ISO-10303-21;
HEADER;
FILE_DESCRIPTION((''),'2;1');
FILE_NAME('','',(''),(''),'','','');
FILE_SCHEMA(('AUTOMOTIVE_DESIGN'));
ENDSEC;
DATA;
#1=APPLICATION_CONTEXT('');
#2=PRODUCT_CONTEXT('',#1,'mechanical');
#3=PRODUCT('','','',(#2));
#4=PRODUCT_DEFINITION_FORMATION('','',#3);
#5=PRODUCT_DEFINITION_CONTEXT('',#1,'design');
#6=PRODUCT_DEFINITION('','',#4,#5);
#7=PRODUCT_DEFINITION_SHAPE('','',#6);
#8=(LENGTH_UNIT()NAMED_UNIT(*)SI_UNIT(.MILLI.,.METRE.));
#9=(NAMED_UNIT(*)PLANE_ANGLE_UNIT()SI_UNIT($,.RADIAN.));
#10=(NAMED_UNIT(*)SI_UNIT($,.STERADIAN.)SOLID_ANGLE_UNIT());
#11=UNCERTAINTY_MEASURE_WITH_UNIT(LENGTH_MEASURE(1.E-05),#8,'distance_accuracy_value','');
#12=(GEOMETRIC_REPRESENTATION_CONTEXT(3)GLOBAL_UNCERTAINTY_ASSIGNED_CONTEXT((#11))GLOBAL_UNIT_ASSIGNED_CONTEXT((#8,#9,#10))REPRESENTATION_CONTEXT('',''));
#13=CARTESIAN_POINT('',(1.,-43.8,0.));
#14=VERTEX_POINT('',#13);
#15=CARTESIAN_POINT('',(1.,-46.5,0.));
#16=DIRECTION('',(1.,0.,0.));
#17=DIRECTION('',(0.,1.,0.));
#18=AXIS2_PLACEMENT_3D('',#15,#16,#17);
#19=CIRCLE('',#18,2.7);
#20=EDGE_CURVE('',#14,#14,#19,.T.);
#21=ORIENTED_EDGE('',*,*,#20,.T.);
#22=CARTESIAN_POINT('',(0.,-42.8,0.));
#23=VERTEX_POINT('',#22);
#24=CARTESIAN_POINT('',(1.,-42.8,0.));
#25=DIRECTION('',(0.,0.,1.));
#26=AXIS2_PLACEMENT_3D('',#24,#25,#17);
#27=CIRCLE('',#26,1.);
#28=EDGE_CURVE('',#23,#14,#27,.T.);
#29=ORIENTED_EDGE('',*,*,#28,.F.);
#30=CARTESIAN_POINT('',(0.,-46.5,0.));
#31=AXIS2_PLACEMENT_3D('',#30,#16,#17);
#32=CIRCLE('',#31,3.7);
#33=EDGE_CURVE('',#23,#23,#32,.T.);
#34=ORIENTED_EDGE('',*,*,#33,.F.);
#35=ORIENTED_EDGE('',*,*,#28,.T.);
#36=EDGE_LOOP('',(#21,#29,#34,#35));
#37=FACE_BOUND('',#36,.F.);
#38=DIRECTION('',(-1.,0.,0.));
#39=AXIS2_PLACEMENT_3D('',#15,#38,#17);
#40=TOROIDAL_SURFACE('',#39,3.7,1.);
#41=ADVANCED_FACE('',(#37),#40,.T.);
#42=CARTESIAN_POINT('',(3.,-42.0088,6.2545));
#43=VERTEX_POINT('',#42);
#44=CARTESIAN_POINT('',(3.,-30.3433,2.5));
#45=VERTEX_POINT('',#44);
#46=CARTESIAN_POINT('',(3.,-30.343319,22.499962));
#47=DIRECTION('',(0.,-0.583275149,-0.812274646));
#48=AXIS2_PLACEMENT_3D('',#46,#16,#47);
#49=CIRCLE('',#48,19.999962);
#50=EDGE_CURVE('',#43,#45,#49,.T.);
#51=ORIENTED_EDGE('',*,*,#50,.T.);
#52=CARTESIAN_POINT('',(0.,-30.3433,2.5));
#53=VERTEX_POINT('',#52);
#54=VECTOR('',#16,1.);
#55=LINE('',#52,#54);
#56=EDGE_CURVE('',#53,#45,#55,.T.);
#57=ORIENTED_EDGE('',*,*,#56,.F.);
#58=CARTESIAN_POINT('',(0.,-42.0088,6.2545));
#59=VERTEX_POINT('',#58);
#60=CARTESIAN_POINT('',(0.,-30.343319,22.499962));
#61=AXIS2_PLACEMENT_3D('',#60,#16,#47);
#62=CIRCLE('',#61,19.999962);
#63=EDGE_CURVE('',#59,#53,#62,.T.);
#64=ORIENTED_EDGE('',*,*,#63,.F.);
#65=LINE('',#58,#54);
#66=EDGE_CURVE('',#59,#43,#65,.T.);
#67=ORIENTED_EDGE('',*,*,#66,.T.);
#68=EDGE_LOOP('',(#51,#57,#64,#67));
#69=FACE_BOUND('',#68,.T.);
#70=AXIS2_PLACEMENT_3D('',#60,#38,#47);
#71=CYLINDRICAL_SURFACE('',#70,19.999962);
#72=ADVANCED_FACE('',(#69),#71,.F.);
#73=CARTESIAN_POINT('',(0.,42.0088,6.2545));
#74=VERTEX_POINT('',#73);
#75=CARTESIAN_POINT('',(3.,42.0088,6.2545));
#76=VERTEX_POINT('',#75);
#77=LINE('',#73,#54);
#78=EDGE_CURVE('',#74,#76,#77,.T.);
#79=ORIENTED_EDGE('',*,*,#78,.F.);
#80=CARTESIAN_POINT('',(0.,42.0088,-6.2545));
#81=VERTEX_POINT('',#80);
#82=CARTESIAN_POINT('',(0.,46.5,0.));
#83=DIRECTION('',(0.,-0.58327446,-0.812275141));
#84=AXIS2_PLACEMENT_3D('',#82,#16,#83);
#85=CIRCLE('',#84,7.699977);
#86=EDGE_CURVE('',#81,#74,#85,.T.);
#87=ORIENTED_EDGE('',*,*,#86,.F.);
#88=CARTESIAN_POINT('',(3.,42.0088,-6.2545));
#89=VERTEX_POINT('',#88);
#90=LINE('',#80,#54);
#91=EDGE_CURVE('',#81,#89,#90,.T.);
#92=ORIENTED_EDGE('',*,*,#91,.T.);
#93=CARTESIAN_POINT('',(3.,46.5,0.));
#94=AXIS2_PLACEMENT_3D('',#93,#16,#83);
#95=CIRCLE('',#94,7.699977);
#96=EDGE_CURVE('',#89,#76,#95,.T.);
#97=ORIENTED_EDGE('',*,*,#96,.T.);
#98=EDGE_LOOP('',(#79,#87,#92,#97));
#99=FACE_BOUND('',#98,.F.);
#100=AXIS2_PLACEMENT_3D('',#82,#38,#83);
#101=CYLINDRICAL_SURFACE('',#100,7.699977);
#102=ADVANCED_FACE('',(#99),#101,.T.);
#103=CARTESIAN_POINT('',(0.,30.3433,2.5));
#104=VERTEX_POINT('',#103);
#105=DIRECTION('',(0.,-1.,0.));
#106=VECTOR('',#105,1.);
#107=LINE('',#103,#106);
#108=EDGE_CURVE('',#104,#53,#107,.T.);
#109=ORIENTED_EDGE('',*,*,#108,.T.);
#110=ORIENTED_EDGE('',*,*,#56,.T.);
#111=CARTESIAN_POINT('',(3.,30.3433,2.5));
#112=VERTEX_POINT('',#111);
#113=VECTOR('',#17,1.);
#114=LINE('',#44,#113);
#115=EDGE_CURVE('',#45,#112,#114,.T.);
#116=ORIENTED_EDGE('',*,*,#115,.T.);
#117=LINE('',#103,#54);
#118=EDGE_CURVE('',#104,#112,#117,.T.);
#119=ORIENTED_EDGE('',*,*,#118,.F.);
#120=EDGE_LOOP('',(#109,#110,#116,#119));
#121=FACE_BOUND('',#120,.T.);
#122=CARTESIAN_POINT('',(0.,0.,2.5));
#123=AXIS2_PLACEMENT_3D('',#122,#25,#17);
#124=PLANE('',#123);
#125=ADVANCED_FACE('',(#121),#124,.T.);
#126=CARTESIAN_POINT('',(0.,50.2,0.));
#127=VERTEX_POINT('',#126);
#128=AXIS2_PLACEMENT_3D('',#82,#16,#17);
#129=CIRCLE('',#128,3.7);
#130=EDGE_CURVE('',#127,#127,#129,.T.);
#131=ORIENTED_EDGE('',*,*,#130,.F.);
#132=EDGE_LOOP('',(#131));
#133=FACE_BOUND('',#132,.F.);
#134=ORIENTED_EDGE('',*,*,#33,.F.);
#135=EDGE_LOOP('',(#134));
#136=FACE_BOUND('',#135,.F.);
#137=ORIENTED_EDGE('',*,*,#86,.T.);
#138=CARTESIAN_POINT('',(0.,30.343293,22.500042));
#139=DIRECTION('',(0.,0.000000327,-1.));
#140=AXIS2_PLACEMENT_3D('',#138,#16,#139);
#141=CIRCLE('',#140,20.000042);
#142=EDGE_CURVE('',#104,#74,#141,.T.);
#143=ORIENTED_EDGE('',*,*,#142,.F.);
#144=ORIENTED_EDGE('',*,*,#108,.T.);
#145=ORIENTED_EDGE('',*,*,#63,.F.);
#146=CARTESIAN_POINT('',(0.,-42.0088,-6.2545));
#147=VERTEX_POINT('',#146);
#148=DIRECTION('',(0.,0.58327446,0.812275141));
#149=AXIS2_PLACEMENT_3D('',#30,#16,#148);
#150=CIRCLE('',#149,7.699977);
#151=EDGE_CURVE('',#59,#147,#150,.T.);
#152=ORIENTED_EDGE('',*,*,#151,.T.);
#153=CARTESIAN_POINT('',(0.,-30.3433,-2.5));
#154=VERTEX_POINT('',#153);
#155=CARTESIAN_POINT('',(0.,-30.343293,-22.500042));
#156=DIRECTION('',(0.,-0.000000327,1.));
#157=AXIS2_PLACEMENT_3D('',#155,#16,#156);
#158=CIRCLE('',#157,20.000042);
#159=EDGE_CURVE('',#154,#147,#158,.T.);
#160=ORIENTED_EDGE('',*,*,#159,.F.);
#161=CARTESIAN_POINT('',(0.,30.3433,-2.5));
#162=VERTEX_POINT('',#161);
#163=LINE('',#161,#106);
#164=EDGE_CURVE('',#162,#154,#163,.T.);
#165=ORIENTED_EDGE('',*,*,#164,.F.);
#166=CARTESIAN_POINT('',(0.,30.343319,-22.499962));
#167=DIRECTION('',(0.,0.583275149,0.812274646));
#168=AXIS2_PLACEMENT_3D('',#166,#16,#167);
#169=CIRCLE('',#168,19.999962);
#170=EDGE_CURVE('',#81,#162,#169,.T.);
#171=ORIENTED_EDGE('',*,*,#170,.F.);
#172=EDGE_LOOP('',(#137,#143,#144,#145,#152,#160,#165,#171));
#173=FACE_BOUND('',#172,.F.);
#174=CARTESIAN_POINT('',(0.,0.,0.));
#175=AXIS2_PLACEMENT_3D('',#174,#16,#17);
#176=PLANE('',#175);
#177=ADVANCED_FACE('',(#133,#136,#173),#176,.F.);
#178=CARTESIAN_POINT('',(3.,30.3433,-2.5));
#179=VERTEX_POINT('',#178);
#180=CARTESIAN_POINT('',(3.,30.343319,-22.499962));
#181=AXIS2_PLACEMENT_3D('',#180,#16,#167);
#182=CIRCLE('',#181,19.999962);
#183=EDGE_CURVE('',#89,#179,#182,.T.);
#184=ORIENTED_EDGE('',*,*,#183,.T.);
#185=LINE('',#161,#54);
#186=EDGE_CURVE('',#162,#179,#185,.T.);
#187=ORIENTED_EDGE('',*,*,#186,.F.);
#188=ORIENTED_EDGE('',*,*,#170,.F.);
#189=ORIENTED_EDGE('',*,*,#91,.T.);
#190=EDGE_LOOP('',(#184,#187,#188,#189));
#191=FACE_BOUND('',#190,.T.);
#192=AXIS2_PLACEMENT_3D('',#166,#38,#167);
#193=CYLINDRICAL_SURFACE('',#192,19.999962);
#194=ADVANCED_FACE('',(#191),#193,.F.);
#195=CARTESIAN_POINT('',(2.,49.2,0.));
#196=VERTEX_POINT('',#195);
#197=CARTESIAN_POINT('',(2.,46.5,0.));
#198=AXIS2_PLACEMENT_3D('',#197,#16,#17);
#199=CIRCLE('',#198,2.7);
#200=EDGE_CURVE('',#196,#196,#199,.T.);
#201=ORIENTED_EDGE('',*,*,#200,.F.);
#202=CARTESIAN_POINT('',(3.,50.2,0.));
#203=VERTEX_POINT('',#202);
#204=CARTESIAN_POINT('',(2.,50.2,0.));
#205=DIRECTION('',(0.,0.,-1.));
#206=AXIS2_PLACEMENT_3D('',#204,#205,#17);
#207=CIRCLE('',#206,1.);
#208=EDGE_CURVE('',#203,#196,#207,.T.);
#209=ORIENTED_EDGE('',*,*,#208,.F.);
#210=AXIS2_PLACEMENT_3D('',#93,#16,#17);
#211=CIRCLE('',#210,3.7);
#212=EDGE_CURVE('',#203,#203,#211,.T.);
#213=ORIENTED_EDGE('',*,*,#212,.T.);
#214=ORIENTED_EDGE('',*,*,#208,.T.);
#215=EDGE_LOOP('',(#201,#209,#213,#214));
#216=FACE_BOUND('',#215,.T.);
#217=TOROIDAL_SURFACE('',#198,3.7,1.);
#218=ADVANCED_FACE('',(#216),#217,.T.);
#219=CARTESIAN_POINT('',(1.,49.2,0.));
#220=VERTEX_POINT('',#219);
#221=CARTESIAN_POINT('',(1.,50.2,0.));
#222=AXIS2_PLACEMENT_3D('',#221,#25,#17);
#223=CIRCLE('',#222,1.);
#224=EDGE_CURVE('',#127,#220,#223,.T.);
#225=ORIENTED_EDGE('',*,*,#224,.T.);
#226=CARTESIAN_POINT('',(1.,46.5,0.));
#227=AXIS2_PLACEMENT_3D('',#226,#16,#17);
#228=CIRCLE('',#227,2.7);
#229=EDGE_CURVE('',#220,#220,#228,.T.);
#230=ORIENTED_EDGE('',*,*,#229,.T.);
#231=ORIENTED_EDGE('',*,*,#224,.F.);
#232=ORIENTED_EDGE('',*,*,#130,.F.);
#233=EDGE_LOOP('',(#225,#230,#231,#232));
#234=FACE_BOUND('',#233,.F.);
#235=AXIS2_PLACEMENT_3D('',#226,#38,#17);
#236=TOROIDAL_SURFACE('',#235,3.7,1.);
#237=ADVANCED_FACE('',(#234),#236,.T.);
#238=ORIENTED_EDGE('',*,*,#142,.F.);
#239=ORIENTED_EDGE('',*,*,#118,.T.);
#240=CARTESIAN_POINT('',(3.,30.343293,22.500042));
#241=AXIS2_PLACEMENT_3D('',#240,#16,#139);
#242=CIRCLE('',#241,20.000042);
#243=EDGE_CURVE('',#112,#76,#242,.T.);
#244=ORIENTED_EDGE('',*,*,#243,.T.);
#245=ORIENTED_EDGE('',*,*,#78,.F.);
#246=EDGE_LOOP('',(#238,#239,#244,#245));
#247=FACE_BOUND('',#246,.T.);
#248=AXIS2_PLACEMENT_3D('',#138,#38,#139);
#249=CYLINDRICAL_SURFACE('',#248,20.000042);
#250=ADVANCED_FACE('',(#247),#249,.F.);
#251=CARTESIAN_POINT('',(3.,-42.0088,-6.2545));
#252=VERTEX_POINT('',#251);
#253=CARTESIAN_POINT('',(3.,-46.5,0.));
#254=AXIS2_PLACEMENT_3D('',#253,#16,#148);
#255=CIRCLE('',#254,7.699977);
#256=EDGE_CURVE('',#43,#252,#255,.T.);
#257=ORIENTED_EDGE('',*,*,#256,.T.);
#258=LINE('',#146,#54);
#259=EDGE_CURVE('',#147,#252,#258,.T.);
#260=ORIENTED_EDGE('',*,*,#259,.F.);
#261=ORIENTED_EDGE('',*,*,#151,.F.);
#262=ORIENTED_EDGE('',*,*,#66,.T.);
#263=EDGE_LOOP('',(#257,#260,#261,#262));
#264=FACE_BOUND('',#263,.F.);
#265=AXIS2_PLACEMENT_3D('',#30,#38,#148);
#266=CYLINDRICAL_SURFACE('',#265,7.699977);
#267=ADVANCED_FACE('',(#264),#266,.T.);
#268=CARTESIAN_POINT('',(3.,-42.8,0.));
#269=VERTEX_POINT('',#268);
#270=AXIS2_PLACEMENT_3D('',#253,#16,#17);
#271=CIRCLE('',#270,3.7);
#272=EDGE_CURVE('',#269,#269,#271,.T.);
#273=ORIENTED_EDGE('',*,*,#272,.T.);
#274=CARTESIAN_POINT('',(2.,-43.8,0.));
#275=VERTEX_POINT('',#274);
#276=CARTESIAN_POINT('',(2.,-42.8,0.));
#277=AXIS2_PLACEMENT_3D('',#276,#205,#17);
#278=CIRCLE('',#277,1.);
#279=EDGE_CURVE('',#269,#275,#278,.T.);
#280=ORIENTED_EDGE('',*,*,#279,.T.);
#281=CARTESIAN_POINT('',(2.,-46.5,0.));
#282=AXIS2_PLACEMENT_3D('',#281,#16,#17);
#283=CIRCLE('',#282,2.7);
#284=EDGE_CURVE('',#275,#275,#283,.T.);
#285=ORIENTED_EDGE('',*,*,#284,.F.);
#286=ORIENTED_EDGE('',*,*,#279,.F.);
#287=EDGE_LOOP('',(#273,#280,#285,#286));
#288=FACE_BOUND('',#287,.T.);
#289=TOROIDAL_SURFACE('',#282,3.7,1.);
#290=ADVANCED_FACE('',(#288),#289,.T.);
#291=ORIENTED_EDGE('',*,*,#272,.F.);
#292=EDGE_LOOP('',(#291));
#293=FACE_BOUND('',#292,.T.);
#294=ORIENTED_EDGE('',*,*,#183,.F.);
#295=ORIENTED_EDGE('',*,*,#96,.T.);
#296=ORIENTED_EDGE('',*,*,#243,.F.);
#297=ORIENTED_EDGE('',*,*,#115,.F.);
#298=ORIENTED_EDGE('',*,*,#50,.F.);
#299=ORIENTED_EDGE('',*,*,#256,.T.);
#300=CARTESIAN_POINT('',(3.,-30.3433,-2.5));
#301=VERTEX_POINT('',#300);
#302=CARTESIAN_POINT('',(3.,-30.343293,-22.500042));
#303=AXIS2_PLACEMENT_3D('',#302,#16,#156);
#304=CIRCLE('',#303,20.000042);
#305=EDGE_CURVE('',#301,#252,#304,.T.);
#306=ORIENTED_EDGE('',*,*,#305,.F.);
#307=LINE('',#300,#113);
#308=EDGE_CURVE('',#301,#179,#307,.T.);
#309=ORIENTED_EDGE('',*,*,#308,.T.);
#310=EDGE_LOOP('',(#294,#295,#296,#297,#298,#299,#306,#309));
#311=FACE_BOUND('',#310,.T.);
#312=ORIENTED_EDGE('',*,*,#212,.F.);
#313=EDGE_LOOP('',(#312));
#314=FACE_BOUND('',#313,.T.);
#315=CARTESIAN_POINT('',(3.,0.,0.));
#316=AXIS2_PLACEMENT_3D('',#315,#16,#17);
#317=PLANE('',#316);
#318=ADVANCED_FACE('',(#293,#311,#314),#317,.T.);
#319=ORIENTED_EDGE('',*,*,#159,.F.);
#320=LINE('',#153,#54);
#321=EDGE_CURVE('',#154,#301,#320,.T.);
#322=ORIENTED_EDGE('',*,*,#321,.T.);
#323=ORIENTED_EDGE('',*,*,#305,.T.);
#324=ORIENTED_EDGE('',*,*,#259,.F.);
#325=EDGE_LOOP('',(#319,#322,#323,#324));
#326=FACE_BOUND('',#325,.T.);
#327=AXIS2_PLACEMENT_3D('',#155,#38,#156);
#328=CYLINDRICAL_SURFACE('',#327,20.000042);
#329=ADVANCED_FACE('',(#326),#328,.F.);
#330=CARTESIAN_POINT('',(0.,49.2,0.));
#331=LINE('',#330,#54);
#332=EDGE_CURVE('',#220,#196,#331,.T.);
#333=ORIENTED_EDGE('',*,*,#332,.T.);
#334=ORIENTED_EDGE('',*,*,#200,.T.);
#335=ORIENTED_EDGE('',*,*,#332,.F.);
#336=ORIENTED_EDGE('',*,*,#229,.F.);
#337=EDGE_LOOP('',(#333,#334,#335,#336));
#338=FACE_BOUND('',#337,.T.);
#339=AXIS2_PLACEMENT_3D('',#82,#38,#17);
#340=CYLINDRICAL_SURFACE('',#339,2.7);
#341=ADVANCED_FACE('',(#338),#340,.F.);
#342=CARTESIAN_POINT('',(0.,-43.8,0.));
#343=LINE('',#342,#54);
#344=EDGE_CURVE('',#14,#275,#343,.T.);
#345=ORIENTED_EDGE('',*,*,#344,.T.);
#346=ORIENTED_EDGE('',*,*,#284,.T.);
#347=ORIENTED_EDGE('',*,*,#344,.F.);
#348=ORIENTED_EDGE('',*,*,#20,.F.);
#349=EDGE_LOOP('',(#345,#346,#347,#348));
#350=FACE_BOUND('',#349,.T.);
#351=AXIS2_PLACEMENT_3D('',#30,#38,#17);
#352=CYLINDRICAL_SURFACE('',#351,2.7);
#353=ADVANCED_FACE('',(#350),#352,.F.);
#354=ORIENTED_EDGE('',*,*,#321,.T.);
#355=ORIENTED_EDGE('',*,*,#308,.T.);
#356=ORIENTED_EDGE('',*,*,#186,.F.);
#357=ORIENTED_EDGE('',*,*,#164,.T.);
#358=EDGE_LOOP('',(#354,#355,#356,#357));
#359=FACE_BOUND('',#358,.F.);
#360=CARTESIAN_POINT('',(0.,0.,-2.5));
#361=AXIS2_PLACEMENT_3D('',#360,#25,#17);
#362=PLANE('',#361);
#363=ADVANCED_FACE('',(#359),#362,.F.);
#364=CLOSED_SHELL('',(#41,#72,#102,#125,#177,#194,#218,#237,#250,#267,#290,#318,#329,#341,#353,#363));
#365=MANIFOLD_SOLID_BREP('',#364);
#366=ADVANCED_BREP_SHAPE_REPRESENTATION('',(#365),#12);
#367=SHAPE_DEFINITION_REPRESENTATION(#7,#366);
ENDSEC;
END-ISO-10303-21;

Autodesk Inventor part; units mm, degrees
ref_plane "YZ Plane" through (0, 0, 0) normal (1, 0, 0) x (0, 1, 0)
ref_plane "XZ Plane" through (0, 0, 0) normal (0, 1, 0) x (-1, 0, 0)
ref_plane "XY Plane" through (0, 0, 0) normal (0, 0, 1) x (1, 0, 0)
sketch "Sketch1" plane through (0, 0, 0) normal (1, 0, 0) x (0, 1, 0)
  line L0 (0, 8.6387) -> (0, -8.0216)
  line L1 (-27.4792, 0) -> (24.1471, 0)
  circle A0 centre (-46.5, 0) radius 2.7
  circle A1 centre (46.5, 0) radius 2.7
  arc A2 (42.0088, -6.2545) -> (42.0088, 6.2545) centre (46.5, 0) ccw
  arc A3 (-42.0088, 6.2545) -> (-42.0088, -6.2545) centre (-46.5, 0) ccw
  line L2 (0, 2.5) -> (30.3433, 2.5)
  line L3 (0, 2.5) -> (-30.3433, 2.5)
  line L4 (0, -2.5) -> (-30.3433, -2.5)
  line L5 (0, -2.5) -> (30.3433, -2.5)
  arc A4 (30.3433, 2.5) -> (42.0088, 6.2545) centre (30.3433, 22.5) ccw
  arc A5 (42.0088, -6.2545) -> (30.3433, -2.5) centre (30.3433, -22.5) ccw
  arc A6 (-42.0088, 6.2545) -> (-30.3433, 2.5) centre (-30.3433, 22.5) ccw
  arc A7 (-30.3433, -2.5) -> (-42.0088, -6.2545) centre (-30.3433, -22.5) ccw
  point P0 (0, 0)
  point P1 (46.5, -7.7)
  point P2 (46.5, 7.7)
  point P3 (-46.5, -7.7)
  point P4 (-46.5, 7.7)
  point P5 (-39.2171, 2.5)
  point P6 (-39.2171, -2.5)
  point P7 (39.2171, -2.5)
  point P8 (39.2171, 2.5)
  dimension "d5" = 93
  dimension "d3" = 5
  dimension "d2" = 5
  dimension "d4" = 5.4
  dimension "d1" = 5
  dimension "d0" = 20
extrude "Extrusion1" add sketch "Sketch1" along normal blind 3
fillet "Fillet1" radius 1 4 edges at (3, 43.8, 0) (0, 43.8, 0) (3, -49.2, 0) (0, -49.2, 0)
properties part number "ön differansiyel"
